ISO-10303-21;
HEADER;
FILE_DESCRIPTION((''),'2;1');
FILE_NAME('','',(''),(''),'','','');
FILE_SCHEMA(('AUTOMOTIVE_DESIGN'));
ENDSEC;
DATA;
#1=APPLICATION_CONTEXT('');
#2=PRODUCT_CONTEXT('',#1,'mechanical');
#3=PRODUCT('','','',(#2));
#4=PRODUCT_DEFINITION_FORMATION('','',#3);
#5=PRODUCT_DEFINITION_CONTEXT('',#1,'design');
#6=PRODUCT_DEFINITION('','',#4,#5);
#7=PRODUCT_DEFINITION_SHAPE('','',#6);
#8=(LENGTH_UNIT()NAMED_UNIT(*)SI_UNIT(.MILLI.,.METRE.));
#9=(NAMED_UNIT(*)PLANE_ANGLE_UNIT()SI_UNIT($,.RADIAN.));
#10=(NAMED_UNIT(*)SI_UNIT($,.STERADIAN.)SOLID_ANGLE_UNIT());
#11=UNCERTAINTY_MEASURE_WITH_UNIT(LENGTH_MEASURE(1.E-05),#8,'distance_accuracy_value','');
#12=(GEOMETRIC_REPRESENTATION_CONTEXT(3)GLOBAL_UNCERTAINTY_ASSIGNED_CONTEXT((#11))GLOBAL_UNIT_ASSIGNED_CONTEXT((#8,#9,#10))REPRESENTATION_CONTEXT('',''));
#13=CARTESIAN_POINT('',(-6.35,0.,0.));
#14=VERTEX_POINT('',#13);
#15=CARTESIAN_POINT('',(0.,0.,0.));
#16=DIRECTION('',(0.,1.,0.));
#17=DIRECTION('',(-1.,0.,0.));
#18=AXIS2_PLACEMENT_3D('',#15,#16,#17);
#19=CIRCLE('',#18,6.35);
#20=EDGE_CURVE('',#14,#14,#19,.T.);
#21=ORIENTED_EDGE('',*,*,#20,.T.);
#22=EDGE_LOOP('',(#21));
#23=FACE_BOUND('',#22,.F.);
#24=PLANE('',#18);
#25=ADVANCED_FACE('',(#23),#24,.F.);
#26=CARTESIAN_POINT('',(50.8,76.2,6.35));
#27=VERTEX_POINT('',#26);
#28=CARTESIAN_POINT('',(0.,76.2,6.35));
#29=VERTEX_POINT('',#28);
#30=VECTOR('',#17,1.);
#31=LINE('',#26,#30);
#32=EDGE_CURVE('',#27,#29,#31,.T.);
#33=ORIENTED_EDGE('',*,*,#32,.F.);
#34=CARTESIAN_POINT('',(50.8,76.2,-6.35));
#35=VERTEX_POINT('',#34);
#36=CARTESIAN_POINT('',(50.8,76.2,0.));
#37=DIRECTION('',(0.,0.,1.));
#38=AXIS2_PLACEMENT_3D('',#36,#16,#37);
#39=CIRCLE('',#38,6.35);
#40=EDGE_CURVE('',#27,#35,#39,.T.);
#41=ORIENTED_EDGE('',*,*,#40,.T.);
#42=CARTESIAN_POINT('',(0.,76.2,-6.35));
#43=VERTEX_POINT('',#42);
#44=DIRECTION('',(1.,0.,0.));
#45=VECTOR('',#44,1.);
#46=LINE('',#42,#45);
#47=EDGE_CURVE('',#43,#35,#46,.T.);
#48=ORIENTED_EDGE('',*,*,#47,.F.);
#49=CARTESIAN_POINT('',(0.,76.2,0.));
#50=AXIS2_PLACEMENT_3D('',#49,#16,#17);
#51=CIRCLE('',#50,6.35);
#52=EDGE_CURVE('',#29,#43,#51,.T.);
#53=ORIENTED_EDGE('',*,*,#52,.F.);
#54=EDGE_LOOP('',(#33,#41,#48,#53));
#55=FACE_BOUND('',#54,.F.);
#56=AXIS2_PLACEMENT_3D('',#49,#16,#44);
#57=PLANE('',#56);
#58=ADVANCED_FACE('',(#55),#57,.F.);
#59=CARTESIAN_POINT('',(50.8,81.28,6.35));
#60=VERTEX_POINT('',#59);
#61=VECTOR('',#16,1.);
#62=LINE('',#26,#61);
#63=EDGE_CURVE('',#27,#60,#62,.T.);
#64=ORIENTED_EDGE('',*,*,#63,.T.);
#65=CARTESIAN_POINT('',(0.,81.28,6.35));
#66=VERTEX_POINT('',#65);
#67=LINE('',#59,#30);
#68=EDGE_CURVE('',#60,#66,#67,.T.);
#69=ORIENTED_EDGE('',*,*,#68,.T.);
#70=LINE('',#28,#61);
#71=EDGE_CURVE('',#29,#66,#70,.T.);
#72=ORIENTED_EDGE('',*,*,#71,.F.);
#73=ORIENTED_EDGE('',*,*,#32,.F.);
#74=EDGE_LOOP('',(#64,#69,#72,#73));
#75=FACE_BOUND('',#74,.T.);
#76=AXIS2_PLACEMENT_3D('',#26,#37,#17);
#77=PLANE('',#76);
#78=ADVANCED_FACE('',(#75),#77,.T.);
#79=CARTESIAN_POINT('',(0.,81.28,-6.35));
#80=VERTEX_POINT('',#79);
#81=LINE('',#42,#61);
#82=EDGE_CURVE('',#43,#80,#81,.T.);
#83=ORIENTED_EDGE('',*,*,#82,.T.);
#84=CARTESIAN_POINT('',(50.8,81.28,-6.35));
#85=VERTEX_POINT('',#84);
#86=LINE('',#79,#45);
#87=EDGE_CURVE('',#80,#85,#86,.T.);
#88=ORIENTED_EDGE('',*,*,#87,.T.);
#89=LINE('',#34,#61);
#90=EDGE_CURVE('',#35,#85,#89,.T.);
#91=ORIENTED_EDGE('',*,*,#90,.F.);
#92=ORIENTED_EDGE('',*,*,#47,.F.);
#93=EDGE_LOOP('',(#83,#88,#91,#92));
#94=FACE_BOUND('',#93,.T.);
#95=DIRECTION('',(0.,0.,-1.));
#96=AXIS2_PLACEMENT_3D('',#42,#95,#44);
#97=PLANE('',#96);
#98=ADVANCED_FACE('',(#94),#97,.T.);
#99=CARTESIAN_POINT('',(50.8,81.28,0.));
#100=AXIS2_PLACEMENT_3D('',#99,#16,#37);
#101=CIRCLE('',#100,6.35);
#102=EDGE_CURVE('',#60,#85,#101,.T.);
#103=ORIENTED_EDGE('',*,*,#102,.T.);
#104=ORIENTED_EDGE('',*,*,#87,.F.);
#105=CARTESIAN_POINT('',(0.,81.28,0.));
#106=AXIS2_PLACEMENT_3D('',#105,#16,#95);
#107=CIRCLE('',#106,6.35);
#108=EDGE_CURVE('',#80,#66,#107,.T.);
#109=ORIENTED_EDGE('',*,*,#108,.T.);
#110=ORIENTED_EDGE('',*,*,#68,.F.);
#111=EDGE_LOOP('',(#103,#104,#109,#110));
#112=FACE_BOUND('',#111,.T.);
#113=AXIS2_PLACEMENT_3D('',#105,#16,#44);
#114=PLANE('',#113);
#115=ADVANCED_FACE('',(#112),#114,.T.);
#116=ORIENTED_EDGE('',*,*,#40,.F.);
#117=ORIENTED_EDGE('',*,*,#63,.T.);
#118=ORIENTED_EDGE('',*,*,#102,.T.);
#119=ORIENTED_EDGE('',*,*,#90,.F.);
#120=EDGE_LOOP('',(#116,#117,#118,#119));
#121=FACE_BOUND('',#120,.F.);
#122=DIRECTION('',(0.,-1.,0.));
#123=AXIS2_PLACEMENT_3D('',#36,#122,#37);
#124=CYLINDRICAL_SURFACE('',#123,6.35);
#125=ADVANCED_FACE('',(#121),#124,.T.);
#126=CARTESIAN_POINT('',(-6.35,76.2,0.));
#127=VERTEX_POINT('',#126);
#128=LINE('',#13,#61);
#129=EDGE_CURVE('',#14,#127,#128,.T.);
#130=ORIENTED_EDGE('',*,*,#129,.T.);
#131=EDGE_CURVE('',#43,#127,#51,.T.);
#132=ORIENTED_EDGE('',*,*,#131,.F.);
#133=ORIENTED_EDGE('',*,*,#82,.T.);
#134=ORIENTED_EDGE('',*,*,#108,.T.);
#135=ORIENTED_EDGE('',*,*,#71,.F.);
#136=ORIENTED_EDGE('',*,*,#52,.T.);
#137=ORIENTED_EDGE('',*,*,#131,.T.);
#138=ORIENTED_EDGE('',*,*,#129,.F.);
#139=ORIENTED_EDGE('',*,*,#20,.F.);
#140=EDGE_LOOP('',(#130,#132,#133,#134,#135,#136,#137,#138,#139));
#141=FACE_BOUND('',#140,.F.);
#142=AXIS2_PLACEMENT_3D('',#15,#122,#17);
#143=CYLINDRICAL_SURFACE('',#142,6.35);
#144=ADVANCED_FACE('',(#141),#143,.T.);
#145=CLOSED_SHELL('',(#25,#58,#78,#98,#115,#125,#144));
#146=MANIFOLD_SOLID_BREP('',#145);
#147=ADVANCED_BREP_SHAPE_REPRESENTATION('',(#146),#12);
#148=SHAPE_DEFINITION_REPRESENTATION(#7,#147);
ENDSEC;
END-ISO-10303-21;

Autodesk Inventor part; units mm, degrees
ref_plane "YZ Plane" through (0, 0, 0) normal (1, 0, 0) x (0, 1, 0)
ref_plane "XZ Plane" through (0, 0, 0) normal (0, 1, 0) x (-1, 0, 0)
ref_plane "XY Plane" through (0, 0, 0) normal (0, 0, 1) x (1, 0, 0)
sketch "Sketch1" plane through (0, 0, 0) normal (0, 1, 0) x (-1, 0, 0)
  circle A0 centre (0, 0) radius 6.35
  dimension "d0" = 12.7
extrude "Extrusion1" add sketch "Sketch1" along normal blind 76.2
sketch "Sketch2" plane through (0, 76.2, 0) normal (0, 1, 0) x (1, 0, 0)
  arc A0 (0, 6.35) -> (0, -6.35) centre (0, 0) ccw
  line L0 (44.45, 0) -> (50.8, 0)
  arc A1 (50.8, -6.35) -> (50.8, 6.35) centre (50.8, 0) ccw
  line L1 (50.8, -6.35) -> (0, -6.35)
  line L2 (0, 6.35) -> (50.8, 6.35)
  dimension "d4" = 6.35
  dimension "d10" = 50.8
  dimension "d11" = 6.35
  dimension "d12" = 50.8
  dimension "d13" = 6.35
extrude "Extrusion2" add sketch "Sketch2" along normal blind 5.08
properties part number "Motor_Arm"
